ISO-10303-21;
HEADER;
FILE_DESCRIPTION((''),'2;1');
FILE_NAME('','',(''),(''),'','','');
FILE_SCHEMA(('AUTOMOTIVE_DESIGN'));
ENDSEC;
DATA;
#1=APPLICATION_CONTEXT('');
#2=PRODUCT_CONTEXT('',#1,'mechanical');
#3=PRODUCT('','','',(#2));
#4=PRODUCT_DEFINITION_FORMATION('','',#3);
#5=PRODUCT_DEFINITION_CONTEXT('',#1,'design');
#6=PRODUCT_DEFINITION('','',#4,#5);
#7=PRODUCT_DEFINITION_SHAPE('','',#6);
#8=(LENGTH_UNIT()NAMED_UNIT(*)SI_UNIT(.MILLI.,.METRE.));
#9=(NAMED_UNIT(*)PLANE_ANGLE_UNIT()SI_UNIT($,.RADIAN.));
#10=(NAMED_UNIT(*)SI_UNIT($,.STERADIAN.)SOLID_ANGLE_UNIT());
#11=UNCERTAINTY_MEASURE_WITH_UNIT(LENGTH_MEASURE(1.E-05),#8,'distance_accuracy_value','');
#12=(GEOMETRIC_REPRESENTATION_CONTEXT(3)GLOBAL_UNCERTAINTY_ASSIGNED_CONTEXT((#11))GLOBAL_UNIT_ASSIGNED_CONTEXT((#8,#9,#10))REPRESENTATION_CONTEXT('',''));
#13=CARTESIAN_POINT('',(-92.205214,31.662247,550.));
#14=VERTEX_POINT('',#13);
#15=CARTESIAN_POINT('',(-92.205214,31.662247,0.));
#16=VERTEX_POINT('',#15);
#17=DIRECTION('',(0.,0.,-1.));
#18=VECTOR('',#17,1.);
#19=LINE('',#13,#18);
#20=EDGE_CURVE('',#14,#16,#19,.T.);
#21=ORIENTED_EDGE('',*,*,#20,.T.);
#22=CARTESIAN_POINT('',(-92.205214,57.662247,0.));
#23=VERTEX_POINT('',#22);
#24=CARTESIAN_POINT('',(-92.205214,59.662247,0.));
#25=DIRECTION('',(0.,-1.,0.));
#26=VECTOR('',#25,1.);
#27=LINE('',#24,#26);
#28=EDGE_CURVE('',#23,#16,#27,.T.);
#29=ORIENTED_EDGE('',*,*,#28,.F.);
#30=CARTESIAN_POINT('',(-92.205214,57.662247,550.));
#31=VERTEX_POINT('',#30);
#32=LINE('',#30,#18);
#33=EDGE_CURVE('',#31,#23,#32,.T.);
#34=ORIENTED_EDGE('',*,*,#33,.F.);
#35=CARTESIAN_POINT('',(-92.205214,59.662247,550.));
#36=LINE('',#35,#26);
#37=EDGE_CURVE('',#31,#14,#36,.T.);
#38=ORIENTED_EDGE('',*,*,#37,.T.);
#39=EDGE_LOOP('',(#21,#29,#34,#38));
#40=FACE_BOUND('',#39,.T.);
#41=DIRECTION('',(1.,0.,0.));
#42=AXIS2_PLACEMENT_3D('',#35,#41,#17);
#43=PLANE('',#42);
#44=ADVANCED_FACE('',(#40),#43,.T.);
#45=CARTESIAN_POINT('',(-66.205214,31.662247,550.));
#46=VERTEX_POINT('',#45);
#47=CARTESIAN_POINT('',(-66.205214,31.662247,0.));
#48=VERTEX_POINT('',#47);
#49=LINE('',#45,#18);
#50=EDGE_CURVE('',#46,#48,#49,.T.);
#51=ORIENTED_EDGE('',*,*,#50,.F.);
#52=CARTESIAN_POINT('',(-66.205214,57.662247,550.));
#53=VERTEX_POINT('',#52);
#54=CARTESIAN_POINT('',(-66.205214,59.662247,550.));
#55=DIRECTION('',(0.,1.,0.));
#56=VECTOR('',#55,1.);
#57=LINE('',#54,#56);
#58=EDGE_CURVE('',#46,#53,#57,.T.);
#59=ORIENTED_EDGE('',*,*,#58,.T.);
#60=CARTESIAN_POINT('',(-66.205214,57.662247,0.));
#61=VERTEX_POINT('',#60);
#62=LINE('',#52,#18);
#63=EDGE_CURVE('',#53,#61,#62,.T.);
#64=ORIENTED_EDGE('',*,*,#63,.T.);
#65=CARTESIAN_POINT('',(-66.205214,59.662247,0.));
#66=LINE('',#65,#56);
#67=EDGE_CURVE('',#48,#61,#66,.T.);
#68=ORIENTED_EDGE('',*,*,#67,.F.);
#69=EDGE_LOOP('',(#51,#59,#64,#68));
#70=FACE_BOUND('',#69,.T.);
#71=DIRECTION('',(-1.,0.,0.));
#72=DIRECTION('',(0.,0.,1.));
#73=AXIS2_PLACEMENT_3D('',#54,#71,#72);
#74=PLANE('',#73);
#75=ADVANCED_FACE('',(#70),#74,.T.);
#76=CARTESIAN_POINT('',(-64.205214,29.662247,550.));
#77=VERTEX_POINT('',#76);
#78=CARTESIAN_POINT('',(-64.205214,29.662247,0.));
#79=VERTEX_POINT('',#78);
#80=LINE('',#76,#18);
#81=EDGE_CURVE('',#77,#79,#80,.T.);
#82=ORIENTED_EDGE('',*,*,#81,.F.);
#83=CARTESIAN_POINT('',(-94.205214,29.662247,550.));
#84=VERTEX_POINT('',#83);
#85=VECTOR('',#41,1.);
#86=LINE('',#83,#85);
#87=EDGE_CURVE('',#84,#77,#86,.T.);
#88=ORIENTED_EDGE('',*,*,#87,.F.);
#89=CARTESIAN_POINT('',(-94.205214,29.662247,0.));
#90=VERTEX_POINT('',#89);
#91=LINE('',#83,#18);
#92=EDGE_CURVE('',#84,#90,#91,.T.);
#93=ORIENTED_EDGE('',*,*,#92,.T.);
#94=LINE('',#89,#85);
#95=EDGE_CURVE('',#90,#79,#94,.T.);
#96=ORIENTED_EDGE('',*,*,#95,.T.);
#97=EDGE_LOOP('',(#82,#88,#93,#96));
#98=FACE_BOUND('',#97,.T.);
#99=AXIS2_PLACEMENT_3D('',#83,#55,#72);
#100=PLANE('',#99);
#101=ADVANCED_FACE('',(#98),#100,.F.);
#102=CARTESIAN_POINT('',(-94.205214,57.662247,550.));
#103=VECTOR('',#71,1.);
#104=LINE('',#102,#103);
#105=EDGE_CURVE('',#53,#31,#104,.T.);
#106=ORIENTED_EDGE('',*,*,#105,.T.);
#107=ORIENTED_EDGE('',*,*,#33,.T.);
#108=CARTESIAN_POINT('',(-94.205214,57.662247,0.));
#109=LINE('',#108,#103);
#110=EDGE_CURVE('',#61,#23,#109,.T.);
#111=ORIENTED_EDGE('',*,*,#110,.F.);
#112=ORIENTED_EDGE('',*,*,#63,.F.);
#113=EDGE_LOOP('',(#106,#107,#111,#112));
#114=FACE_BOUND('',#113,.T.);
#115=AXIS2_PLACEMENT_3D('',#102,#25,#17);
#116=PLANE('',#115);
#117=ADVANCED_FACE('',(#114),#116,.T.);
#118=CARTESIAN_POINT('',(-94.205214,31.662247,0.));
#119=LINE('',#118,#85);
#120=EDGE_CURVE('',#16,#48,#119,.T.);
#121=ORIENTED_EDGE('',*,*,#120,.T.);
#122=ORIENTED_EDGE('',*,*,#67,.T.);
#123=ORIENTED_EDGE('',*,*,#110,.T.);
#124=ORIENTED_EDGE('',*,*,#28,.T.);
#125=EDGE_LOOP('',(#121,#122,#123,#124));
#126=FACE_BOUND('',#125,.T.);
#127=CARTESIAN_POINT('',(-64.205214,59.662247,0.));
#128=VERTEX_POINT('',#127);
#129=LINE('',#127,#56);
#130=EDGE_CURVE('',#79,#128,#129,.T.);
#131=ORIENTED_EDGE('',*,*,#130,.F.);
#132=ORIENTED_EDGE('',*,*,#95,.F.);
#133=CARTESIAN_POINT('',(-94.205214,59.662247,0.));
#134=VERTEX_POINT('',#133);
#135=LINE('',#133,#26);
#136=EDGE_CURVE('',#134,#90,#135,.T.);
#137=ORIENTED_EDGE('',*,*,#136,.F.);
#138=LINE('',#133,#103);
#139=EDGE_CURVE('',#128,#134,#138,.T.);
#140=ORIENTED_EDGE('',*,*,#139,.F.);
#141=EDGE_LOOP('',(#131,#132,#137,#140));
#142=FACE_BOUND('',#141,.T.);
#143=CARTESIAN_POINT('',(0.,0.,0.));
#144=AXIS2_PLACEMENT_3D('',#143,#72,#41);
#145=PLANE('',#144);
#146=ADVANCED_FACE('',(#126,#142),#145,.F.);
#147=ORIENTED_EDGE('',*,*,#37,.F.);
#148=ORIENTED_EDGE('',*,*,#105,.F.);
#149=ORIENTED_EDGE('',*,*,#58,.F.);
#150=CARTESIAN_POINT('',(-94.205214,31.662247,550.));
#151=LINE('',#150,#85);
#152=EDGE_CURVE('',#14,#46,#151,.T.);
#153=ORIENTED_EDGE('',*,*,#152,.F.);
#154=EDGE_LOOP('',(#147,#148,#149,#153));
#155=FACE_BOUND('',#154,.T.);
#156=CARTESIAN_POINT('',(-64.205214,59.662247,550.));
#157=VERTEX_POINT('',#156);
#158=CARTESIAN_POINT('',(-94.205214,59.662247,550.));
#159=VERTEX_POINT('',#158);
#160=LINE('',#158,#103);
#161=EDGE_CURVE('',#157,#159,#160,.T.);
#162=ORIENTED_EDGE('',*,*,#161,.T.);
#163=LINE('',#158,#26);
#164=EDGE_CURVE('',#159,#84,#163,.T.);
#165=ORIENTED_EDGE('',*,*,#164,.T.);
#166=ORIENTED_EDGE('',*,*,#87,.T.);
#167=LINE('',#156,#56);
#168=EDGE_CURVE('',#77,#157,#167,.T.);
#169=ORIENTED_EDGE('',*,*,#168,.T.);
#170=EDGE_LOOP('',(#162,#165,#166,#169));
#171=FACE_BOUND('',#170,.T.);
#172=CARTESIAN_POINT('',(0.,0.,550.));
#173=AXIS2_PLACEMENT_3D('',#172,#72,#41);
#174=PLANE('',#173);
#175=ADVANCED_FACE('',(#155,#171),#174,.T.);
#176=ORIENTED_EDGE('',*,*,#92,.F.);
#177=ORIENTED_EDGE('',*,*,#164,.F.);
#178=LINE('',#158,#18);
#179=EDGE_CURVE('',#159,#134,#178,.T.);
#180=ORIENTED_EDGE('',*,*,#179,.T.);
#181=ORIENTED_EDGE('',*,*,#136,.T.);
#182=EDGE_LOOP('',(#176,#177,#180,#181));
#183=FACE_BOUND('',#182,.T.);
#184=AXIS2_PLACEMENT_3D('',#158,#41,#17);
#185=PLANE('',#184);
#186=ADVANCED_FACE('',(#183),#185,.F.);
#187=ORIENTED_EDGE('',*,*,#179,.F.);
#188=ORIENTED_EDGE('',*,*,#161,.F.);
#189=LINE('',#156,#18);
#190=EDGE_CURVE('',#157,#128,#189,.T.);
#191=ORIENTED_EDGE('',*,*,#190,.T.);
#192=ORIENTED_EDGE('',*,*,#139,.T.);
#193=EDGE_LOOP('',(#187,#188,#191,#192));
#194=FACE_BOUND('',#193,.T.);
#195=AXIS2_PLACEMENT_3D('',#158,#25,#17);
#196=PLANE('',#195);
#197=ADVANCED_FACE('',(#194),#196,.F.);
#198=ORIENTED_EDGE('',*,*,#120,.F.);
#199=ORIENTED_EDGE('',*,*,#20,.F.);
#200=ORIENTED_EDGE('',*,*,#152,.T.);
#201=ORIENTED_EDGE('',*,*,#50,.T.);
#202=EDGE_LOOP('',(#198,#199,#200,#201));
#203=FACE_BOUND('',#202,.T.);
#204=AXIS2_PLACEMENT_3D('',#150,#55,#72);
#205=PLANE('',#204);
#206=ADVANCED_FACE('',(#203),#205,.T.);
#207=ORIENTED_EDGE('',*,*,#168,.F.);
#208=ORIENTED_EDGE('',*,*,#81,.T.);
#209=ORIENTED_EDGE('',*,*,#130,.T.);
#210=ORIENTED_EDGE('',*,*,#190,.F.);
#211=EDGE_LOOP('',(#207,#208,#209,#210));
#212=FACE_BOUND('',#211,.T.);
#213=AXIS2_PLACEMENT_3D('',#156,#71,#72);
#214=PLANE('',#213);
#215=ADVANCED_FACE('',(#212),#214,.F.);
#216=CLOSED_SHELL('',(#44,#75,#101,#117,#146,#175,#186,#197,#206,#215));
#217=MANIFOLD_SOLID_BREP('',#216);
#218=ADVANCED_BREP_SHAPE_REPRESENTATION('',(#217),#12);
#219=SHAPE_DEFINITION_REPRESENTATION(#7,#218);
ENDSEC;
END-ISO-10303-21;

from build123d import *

# Parameters (mm, degrees)
ESBO_O2_W                = 30
ESBO_O2_H                = 30
RESSALTO_EXTRUS_O1_DEPTH = 550
CASCA2_T                 = -2


with BuildPart() as part:
    # Esboço2 → Ressalto-extrusão1 (new body)
    with BuildSketch(Plane.XY):
        with Locations((-79.205213928, 44.662246879)):
            Rectangle(ESBO_O2_W, ESBO_O2_H)
    extrude(amount=RESSALTO_EXTRUS_O1_DEPTH)

    # Casca2
    casca2_openings = [part.faces().sort_by_distance(p)[0] for p in [
        (-79.205213928, 44.662246879, 550),
        (-79.205213928, 44.662246879, 0),
    ]]
    offset(amount=CASCA2_T, openings=casca2_openings, kind=Kind.INTERSECTION)


solid = part.part
